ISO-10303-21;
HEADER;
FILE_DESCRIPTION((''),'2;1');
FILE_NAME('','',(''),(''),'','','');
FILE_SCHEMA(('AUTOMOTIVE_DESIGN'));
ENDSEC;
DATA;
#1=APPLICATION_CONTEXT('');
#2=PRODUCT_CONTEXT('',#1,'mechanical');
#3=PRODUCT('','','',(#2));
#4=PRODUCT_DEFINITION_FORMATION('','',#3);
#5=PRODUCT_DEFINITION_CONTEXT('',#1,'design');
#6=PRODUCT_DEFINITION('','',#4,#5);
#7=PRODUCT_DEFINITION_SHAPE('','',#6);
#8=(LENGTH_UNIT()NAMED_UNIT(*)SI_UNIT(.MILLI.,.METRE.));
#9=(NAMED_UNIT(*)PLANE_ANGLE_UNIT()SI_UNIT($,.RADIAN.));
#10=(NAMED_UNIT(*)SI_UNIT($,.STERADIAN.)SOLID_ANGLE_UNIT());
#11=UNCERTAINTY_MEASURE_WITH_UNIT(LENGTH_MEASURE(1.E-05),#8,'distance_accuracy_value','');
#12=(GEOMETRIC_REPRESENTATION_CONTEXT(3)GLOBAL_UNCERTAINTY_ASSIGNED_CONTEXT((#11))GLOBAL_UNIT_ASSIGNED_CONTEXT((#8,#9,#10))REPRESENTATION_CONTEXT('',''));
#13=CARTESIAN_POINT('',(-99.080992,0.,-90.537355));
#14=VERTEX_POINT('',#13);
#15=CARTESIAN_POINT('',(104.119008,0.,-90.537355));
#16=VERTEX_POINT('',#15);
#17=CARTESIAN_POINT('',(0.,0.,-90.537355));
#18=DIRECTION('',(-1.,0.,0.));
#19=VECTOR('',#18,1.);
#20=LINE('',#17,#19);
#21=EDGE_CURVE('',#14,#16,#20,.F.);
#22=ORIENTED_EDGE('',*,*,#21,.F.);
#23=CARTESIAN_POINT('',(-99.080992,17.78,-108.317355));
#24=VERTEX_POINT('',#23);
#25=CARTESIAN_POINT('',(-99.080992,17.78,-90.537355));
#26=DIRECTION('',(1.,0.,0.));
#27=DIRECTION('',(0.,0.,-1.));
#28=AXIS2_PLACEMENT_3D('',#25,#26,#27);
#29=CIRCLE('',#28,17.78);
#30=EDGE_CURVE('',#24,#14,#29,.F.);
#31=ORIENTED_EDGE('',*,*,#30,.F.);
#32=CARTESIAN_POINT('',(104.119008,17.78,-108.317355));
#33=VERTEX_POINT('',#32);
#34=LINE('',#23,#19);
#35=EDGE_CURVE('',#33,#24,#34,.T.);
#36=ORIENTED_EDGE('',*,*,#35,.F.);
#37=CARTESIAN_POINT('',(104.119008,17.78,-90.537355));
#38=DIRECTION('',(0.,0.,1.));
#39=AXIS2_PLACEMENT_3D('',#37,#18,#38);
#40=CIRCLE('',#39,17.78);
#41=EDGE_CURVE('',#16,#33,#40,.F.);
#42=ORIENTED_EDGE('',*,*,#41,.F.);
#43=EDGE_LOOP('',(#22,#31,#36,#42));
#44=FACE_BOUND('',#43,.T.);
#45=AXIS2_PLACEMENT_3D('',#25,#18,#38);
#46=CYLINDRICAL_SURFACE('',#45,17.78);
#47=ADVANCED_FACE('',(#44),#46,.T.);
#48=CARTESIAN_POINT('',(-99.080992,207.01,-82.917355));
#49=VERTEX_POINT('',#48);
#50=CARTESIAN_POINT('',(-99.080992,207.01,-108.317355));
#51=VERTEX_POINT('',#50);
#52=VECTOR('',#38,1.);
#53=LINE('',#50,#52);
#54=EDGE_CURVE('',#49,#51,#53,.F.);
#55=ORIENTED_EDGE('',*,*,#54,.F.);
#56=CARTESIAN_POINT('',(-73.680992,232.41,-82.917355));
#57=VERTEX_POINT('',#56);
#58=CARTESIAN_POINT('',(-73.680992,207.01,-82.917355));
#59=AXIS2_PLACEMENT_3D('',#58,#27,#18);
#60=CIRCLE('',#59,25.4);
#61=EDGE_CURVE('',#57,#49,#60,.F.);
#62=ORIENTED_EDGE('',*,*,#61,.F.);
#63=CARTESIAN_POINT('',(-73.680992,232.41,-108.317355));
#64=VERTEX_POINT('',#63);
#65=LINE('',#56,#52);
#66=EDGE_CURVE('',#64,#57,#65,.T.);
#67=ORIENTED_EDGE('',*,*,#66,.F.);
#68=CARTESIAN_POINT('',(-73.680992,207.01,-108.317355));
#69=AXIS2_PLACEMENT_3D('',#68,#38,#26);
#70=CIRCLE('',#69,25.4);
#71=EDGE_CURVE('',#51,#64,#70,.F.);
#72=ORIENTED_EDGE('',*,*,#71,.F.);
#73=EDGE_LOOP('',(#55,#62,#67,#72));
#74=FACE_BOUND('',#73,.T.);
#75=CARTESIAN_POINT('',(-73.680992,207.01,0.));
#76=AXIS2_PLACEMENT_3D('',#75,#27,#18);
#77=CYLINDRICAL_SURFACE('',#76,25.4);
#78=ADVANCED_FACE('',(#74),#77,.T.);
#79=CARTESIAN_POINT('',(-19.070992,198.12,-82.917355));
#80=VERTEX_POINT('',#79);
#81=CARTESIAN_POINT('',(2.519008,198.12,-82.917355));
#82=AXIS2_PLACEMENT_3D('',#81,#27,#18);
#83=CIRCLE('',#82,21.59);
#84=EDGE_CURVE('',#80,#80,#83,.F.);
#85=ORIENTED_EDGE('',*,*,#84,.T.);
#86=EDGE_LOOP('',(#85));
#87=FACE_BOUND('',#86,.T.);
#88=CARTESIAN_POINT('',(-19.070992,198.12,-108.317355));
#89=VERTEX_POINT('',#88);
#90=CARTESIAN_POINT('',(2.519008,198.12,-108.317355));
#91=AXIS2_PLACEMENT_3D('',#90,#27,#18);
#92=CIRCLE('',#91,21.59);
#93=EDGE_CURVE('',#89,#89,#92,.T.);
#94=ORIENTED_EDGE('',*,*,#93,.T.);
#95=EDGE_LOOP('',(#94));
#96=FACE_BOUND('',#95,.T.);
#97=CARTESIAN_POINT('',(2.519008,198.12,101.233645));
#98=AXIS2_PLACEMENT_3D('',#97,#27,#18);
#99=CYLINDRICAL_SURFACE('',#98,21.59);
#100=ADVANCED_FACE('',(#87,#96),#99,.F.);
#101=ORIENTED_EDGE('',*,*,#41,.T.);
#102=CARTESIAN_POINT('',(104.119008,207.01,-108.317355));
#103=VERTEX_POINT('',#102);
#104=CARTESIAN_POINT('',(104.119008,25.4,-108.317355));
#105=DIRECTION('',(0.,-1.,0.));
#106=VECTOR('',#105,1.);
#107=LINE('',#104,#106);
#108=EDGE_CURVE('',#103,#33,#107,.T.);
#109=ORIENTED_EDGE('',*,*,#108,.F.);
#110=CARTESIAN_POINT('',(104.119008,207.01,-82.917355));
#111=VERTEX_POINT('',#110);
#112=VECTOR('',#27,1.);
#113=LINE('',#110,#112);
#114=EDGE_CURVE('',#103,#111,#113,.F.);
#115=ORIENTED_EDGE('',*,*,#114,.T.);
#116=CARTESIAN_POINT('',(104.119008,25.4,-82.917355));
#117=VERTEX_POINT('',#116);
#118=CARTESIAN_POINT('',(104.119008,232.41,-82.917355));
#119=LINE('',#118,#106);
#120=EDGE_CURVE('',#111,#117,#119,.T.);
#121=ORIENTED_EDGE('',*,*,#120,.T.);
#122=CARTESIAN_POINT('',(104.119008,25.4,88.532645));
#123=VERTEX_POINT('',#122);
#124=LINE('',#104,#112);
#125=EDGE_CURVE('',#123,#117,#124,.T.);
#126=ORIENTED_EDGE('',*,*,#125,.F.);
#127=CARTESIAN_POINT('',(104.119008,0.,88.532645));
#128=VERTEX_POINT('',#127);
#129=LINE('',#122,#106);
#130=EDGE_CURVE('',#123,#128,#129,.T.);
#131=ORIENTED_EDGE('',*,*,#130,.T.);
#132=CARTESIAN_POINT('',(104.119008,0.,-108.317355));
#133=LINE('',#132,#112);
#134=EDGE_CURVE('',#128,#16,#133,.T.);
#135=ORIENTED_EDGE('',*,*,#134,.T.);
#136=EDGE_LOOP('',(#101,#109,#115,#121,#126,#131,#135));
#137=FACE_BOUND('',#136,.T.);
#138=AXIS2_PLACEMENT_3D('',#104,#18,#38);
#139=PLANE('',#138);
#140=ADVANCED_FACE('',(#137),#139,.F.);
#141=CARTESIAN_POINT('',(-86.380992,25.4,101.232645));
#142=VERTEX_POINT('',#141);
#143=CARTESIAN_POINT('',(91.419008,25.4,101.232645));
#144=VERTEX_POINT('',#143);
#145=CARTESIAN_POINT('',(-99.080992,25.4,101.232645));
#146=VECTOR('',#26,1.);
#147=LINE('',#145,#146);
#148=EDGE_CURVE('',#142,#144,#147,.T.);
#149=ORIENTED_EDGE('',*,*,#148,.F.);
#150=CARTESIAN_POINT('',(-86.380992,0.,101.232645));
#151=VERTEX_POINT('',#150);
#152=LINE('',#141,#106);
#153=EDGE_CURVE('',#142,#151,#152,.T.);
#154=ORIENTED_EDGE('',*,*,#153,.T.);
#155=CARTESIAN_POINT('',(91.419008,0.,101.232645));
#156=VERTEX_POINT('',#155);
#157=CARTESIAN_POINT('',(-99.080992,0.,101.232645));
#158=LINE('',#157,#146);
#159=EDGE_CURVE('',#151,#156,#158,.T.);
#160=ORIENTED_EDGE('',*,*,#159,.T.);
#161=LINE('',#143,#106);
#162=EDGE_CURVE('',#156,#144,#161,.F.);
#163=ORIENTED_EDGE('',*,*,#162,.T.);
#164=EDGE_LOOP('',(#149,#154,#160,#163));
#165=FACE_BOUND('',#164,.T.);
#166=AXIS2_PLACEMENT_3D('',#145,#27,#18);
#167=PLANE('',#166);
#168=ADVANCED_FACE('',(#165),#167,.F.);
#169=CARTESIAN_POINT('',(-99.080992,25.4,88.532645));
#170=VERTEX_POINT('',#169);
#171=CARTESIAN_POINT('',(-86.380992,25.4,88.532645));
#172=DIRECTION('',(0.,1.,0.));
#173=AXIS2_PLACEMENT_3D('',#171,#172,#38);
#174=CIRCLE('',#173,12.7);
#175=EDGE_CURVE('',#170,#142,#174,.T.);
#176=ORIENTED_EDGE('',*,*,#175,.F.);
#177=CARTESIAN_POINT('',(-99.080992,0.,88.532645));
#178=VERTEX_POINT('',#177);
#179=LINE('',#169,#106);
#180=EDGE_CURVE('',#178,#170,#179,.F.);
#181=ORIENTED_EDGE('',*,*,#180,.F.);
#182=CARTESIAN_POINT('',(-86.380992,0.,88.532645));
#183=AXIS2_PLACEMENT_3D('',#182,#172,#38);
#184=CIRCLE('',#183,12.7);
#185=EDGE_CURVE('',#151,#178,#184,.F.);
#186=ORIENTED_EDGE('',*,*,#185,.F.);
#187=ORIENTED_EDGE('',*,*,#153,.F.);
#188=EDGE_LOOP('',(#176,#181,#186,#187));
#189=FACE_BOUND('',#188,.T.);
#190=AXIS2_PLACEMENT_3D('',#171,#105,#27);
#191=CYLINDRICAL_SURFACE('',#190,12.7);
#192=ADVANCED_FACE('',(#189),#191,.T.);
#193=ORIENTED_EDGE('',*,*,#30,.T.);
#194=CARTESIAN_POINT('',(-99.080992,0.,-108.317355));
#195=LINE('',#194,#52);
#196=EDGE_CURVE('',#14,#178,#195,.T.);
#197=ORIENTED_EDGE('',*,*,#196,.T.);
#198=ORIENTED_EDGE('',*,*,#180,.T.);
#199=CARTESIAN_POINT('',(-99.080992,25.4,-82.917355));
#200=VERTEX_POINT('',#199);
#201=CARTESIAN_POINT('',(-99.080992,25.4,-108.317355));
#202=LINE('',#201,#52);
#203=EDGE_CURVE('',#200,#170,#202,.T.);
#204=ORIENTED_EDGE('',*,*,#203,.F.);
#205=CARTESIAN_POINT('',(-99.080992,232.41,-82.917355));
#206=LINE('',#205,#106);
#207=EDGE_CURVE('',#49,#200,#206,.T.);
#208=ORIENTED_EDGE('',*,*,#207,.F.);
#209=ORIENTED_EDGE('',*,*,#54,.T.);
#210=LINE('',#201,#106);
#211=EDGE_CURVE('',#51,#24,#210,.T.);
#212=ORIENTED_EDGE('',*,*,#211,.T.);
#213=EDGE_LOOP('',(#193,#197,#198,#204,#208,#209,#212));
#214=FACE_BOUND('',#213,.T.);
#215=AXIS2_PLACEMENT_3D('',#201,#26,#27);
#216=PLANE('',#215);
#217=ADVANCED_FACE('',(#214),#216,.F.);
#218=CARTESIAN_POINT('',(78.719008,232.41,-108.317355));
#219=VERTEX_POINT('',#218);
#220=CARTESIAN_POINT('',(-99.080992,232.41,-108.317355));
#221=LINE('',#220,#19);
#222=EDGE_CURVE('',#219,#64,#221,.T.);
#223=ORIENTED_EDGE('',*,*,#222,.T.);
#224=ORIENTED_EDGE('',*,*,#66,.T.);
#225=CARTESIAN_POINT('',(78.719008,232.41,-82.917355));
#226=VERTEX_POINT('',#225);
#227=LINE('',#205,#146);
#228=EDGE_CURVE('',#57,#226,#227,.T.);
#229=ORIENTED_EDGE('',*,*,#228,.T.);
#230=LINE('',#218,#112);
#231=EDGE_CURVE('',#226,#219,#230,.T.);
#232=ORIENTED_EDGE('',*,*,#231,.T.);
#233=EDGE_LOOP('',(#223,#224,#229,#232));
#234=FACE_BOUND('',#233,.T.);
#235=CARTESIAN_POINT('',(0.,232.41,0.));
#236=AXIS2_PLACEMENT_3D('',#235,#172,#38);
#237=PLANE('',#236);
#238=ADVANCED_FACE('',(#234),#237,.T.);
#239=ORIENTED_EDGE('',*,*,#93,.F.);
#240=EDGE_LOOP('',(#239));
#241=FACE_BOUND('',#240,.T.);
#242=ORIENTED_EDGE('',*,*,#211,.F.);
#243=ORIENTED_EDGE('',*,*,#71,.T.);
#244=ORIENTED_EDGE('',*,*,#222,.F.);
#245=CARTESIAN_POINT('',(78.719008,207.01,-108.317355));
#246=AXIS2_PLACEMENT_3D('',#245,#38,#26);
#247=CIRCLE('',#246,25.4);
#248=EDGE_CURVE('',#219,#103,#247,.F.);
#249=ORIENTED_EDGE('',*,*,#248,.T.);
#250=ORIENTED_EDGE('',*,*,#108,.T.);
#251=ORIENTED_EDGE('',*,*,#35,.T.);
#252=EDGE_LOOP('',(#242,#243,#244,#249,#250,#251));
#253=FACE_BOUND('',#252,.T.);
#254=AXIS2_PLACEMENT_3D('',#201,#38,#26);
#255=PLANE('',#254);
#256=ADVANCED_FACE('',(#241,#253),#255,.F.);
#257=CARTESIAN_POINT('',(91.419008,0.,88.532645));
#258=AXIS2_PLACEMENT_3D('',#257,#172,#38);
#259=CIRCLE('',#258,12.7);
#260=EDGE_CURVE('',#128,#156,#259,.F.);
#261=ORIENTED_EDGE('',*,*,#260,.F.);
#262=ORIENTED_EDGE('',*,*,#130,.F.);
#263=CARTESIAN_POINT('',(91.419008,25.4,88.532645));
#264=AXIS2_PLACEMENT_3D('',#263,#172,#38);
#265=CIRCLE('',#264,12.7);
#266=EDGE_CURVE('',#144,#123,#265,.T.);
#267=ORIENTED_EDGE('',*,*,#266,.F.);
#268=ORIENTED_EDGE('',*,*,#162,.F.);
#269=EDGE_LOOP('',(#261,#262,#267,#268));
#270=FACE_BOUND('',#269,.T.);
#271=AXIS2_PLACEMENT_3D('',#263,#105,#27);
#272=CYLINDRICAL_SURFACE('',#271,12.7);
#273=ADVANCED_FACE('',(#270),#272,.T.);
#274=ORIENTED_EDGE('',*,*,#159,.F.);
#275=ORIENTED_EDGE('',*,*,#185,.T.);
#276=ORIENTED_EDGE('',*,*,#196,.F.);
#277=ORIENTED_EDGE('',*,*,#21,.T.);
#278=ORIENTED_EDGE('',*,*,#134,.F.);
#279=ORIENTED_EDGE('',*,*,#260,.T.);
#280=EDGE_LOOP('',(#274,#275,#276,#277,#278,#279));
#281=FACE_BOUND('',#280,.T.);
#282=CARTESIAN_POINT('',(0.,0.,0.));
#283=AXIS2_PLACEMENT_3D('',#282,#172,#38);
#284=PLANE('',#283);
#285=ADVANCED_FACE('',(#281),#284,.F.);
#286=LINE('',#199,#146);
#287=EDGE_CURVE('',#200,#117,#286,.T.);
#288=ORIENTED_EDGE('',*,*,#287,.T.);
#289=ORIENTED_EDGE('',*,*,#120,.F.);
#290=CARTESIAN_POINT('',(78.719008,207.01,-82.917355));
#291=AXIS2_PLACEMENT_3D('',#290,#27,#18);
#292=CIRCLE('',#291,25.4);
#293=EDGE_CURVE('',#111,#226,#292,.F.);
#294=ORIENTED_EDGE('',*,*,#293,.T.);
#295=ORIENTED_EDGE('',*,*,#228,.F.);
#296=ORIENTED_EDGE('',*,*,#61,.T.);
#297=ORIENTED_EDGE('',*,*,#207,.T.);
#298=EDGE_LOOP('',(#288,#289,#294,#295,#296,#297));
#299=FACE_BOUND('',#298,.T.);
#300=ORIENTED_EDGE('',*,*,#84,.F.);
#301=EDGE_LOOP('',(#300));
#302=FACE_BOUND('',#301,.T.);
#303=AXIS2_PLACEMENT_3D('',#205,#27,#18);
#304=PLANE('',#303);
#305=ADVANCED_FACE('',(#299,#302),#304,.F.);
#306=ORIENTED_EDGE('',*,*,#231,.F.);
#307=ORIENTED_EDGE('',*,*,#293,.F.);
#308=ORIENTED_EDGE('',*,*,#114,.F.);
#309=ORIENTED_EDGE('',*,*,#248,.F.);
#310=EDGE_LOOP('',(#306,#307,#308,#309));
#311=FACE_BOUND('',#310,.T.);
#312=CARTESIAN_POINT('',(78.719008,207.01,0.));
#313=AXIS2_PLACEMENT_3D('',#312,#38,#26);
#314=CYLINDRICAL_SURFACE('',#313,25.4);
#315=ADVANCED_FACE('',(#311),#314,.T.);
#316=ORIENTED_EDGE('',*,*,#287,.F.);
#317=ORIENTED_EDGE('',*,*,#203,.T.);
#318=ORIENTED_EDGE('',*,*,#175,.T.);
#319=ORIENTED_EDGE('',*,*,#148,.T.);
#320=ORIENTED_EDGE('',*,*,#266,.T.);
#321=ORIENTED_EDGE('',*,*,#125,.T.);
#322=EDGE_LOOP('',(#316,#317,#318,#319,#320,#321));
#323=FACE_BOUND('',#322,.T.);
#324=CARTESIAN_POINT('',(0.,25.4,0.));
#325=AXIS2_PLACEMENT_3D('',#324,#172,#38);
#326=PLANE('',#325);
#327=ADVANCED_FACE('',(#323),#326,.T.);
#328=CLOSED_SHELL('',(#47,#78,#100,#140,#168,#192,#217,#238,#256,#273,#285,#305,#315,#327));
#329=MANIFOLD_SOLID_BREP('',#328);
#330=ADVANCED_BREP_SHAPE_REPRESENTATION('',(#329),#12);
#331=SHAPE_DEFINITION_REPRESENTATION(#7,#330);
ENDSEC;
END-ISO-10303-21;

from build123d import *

# Parameters (mm, degrees)
SKETCH1_W           = 203.2
SKETCH1_H           = 209.55
BOSS_EXTRUDE2_DEPTH = 25.4
SKETCH2_W           = 203.2
SKETCH2_H           = 25.4
BOSS_EXTRUDE3_DEPTH = 207.01
CUT_EXTRUDE1_REACH  = 211.55
SKETCH3_R           = 21.59
FILLET1_R           = 17.78
FILLET2_R           = 25.4
FILLET3_R           = 12.7


with BuildPart() as part:
    # Sketch1 → Boss-Extrude2 (new body)
    with BuildSketch(Plane(origin=(0, 0, 0), x_dir=(1, 0, 0), z_dir=(0, 1, 0))):
        with Locations((2.519008264, 3.542355372)):
            Rectangle(SKETCH1_W, SKETCH1_H)
    extrude(amount=BOSS_EXTRUDE2_DEPTH)

    # Sketch2 → Boss-Extrude3 (add)
    with BuildSketch(Plane(origin=(0, 25.4, 0), x_dir=(1, 0, 0), z_dir=(0, 1, 0))):
        with Locations((2.519008264, 95.617355372)):
            Rectangle(SKETCH2_W, SKETCH2_H)
    extrude(amount=BOSS_EXTRUDE3_DEPTH)

    # Sketch3 → Cut-Extrude1 (cut, up to next)
    with BuildSketch(Plane(origin=(0, 0, -108.317355372), x_dir=(-1, 0, 0), z_dir=(0, 0, -1)), mode=Mode.PRIVATE) as cut_extrude1_sk1:
        with Locations((-2.519008264, 198.12)):
            Circle(SKETCH3_R)
    cut_extrude1_tool1 = extrude(cut_extrude1_sk1.sketch, amount=-CUT_EXTRUDE1_REACH, mode=Mode.PRIVATE) & part.part
    add(cut_extrude1_tool1.solids().sort_by_distance((2.519008, 198.12, -108.317355))[0], mode=Mode.SUBTRACT)

    # Fillet1
    fillet1_edges = [part.edges().sort_by_distance(p)[0] for p in [
        (2.519008264, 0, -108.317355372),
    ]]
    fillet(fillet1_edges, radius=FILLET1_R)

    # Fillet2
    fillet2_edges = [part.edges().sort_by_distance(p)[0] for p in [
        (-99.080991736, 232.41, -95.617355372),
        (104.119008264, 232.41, -95.617355372),
    ]]
    fillet(fillet2_edges, radius=FILLET2_R)

    # Fillet3
    fillet3_edges = [part.edges().sort_by_distance(p)[0] for p in [
        (104.119008264, 12.7, 101.232644628),
        (-99.080991736, 12.7, 101.232644628),
    ]]
    fillet(fillet3_edges, radius=FILLET3_R)


solid = part.part
